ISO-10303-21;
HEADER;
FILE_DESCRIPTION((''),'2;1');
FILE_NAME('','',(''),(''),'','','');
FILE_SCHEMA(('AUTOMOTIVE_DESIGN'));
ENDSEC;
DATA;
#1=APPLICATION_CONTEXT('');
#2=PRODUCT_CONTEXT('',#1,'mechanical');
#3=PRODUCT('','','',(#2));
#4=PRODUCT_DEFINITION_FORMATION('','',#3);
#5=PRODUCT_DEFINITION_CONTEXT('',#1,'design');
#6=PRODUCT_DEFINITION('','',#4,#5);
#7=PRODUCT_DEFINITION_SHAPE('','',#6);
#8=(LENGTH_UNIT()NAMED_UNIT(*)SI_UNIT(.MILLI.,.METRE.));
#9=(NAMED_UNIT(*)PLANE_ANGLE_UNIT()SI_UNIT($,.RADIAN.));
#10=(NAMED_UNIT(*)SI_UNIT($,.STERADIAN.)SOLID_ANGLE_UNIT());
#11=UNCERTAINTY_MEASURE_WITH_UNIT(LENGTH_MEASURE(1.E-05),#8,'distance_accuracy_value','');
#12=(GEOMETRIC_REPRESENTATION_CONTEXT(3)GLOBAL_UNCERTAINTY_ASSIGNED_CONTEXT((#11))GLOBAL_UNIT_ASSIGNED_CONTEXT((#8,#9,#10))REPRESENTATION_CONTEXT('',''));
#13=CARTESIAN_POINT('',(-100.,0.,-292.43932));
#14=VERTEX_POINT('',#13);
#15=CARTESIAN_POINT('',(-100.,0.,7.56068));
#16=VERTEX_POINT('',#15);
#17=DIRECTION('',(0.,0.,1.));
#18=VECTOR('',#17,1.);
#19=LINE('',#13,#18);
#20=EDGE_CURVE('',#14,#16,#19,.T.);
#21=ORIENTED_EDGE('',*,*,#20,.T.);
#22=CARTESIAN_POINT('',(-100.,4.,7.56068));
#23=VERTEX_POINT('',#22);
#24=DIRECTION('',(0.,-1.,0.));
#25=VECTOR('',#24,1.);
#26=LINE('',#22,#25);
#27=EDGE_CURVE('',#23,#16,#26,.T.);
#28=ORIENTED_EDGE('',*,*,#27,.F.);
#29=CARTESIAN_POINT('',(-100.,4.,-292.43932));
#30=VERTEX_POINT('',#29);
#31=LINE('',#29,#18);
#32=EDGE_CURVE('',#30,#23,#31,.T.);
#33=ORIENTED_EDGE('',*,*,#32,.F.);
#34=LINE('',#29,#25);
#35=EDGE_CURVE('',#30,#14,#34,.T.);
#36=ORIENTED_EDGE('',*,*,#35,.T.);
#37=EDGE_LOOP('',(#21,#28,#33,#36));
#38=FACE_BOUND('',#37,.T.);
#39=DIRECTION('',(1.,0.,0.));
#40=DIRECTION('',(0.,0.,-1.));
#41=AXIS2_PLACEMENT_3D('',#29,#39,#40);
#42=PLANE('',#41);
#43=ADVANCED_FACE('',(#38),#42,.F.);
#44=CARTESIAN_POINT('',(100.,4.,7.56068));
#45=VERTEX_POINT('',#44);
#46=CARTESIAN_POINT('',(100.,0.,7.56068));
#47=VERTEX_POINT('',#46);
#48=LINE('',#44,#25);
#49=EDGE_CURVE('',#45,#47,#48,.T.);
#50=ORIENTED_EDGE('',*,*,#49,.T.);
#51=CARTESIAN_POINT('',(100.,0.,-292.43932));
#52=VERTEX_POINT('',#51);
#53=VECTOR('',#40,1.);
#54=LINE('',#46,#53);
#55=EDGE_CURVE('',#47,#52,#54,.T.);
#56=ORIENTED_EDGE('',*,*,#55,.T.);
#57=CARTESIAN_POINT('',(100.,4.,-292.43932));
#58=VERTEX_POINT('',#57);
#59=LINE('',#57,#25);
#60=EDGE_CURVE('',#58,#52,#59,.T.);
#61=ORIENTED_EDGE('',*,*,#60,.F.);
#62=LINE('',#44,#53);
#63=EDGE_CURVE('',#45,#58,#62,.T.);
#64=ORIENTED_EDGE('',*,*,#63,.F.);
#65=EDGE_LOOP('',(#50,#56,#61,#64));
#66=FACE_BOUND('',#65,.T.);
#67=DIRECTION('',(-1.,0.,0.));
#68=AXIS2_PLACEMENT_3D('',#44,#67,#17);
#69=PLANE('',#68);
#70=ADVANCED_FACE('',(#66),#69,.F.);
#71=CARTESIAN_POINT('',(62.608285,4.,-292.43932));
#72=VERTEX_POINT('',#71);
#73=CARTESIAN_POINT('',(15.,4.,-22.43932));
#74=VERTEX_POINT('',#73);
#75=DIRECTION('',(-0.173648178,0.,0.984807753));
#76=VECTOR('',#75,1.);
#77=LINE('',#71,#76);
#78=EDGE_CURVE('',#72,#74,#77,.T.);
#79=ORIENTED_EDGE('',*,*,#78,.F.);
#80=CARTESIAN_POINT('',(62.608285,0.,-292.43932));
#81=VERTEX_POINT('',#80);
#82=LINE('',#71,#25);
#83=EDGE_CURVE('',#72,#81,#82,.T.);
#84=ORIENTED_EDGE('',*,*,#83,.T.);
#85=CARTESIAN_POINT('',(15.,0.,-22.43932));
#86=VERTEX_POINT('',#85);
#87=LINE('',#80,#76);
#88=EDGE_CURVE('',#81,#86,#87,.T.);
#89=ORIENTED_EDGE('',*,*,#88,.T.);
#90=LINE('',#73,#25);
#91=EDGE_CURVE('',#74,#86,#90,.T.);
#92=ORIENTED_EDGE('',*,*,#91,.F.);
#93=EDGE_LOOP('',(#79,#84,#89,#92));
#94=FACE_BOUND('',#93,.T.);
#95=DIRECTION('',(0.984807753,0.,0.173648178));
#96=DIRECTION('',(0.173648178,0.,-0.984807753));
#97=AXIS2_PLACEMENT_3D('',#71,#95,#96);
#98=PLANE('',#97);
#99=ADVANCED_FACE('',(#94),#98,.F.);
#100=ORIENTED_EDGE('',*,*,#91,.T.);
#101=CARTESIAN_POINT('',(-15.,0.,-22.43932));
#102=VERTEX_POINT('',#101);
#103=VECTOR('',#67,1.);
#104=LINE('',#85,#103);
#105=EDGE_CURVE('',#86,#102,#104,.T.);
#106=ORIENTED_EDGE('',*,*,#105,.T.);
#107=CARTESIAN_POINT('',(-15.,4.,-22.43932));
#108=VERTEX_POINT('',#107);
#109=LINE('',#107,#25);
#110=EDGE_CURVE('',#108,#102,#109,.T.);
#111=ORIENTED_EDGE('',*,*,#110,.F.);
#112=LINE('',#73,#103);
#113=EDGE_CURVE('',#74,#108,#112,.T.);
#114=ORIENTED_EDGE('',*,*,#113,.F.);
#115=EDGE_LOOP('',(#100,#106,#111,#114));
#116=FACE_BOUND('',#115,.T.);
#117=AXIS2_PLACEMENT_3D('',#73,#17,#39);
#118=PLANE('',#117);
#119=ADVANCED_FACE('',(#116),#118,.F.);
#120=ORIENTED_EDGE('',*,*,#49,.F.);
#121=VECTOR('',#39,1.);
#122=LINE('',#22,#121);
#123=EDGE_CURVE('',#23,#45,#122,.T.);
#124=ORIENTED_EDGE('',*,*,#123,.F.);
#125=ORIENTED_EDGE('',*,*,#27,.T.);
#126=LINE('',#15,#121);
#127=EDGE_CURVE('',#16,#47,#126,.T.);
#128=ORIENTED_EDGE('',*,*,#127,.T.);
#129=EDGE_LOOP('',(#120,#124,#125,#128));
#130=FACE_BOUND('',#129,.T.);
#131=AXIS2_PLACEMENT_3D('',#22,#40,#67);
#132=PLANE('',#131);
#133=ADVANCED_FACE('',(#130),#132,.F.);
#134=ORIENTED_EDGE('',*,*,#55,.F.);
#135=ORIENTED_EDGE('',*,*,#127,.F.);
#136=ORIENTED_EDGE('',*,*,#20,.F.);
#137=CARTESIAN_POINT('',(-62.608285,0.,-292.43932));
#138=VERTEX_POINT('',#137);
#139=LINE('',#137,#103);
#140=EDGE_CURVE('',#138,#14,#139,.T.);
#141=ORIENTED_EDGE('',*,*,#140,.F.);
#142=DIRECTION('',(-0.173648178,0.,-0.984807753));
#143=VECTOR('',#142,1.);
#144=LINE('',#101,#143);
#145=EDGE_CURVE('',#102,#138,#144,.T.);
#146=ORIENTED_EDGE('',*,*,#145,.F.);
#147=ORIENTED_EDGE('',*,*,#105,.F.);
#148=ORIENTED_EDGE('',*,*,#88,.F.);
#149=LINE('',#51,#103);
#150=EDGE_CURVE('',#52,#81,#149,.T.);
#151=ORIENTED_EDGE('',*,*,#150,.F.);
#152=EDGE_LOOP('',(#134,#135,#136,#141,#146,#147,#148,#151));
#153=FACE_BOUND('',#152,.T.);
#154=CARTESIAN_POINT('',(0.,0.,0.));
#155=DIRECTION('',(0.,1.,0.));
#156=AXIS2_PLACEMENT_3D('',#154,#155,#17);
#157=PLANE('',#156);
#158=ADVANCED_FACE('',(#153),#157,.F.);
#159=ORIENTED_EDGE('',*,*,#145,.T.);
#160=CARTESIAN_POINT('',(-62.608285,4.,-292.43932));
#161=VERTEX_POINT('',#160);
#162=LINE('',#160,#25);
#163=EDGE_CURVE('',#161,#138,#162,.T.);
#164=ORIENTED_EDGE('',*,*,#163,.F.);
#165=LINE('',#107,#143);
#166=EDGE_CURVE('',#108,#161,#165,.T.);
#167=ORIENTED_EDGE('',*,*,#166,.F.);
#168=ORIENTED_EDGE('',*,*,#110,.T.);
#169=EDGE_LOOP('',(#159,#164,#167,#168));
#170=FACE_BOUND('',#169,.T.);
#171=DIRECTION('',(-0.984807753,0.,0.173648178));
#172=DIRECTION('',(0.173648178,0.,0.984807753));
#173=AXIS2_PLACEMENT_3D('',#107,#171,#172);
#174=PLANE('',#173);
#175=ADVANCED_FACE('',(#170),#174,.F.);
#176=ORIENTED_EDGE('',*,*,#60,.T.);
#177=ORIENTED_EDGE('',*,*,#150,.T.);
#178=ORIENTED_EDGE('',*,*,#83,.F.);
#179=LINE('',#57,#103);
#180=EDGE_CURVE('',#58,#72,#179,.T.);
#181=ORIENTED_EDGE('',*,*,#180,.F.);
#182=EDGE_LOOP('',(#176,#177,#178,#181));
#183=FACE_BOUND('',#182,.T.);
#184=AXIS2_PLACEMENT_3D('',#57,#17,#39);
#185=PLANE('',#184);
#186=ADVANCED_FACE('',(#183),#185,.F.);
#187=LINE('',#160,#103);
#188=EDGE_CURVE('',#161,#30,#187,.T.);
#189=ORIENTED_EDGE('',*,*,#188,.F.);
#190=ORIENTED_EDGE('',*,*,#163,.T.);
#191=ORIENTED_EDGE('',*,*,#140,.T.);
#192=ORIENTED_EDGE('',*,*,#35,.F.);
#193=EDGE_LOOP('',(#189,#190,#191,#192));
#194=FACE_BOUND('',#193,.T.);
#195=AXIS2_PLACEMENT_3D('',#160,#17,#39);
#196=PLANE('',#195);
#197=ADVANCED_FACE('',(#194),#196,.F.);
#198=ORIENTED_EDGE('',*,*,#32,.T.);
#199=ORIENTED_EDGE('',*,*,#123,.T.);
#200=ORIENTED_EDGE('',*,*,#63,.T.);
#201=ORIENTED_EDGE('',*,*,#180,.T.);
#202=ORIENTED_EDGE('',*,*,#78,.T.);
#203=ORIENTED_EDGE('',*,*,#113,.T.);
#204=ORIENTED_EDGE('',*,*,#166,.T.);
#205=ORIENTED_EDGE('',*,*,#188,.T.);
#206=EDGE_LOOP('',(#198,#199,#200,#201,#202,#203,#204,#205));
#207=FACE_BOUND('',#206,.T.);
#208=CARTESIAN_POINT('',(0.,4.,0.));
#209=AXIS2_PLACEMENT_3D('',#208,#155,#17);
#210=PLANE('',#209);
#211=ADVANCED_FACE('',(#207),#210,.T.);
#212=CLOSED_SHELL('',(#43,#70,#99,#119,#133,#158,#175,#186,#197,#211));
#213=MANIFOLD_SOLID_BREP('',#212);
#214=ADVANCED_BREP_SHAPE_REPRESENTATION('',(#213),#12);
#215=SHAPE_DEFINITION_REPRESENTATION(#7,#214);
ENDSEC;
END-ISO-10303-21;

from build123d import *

# Parameters (mm, degrees)
BOSS_EXTRUDE1_DEPTH = 4


with BuildPart() as part:
    # Sketch1 → Boss-Extrude1 (new body)
    with BuildSketch(Plane(origin=(0, 0, 0), x_dir=(1, 0, 0), z_dir=(0, 1, 0))):
        Polygon((-100, 292.439319993), (-100, -7.560680007), (100, -7.560680007), (100, 292.439319993), (62.608284791, 292.439319993), (15, 22.439319993), (-15, 22.439319993), (-62.608284791, 292.439319993), align=None)
    extrude(amount=BOSS_EXTRUDE1_DEPTH)


solid = part.part
